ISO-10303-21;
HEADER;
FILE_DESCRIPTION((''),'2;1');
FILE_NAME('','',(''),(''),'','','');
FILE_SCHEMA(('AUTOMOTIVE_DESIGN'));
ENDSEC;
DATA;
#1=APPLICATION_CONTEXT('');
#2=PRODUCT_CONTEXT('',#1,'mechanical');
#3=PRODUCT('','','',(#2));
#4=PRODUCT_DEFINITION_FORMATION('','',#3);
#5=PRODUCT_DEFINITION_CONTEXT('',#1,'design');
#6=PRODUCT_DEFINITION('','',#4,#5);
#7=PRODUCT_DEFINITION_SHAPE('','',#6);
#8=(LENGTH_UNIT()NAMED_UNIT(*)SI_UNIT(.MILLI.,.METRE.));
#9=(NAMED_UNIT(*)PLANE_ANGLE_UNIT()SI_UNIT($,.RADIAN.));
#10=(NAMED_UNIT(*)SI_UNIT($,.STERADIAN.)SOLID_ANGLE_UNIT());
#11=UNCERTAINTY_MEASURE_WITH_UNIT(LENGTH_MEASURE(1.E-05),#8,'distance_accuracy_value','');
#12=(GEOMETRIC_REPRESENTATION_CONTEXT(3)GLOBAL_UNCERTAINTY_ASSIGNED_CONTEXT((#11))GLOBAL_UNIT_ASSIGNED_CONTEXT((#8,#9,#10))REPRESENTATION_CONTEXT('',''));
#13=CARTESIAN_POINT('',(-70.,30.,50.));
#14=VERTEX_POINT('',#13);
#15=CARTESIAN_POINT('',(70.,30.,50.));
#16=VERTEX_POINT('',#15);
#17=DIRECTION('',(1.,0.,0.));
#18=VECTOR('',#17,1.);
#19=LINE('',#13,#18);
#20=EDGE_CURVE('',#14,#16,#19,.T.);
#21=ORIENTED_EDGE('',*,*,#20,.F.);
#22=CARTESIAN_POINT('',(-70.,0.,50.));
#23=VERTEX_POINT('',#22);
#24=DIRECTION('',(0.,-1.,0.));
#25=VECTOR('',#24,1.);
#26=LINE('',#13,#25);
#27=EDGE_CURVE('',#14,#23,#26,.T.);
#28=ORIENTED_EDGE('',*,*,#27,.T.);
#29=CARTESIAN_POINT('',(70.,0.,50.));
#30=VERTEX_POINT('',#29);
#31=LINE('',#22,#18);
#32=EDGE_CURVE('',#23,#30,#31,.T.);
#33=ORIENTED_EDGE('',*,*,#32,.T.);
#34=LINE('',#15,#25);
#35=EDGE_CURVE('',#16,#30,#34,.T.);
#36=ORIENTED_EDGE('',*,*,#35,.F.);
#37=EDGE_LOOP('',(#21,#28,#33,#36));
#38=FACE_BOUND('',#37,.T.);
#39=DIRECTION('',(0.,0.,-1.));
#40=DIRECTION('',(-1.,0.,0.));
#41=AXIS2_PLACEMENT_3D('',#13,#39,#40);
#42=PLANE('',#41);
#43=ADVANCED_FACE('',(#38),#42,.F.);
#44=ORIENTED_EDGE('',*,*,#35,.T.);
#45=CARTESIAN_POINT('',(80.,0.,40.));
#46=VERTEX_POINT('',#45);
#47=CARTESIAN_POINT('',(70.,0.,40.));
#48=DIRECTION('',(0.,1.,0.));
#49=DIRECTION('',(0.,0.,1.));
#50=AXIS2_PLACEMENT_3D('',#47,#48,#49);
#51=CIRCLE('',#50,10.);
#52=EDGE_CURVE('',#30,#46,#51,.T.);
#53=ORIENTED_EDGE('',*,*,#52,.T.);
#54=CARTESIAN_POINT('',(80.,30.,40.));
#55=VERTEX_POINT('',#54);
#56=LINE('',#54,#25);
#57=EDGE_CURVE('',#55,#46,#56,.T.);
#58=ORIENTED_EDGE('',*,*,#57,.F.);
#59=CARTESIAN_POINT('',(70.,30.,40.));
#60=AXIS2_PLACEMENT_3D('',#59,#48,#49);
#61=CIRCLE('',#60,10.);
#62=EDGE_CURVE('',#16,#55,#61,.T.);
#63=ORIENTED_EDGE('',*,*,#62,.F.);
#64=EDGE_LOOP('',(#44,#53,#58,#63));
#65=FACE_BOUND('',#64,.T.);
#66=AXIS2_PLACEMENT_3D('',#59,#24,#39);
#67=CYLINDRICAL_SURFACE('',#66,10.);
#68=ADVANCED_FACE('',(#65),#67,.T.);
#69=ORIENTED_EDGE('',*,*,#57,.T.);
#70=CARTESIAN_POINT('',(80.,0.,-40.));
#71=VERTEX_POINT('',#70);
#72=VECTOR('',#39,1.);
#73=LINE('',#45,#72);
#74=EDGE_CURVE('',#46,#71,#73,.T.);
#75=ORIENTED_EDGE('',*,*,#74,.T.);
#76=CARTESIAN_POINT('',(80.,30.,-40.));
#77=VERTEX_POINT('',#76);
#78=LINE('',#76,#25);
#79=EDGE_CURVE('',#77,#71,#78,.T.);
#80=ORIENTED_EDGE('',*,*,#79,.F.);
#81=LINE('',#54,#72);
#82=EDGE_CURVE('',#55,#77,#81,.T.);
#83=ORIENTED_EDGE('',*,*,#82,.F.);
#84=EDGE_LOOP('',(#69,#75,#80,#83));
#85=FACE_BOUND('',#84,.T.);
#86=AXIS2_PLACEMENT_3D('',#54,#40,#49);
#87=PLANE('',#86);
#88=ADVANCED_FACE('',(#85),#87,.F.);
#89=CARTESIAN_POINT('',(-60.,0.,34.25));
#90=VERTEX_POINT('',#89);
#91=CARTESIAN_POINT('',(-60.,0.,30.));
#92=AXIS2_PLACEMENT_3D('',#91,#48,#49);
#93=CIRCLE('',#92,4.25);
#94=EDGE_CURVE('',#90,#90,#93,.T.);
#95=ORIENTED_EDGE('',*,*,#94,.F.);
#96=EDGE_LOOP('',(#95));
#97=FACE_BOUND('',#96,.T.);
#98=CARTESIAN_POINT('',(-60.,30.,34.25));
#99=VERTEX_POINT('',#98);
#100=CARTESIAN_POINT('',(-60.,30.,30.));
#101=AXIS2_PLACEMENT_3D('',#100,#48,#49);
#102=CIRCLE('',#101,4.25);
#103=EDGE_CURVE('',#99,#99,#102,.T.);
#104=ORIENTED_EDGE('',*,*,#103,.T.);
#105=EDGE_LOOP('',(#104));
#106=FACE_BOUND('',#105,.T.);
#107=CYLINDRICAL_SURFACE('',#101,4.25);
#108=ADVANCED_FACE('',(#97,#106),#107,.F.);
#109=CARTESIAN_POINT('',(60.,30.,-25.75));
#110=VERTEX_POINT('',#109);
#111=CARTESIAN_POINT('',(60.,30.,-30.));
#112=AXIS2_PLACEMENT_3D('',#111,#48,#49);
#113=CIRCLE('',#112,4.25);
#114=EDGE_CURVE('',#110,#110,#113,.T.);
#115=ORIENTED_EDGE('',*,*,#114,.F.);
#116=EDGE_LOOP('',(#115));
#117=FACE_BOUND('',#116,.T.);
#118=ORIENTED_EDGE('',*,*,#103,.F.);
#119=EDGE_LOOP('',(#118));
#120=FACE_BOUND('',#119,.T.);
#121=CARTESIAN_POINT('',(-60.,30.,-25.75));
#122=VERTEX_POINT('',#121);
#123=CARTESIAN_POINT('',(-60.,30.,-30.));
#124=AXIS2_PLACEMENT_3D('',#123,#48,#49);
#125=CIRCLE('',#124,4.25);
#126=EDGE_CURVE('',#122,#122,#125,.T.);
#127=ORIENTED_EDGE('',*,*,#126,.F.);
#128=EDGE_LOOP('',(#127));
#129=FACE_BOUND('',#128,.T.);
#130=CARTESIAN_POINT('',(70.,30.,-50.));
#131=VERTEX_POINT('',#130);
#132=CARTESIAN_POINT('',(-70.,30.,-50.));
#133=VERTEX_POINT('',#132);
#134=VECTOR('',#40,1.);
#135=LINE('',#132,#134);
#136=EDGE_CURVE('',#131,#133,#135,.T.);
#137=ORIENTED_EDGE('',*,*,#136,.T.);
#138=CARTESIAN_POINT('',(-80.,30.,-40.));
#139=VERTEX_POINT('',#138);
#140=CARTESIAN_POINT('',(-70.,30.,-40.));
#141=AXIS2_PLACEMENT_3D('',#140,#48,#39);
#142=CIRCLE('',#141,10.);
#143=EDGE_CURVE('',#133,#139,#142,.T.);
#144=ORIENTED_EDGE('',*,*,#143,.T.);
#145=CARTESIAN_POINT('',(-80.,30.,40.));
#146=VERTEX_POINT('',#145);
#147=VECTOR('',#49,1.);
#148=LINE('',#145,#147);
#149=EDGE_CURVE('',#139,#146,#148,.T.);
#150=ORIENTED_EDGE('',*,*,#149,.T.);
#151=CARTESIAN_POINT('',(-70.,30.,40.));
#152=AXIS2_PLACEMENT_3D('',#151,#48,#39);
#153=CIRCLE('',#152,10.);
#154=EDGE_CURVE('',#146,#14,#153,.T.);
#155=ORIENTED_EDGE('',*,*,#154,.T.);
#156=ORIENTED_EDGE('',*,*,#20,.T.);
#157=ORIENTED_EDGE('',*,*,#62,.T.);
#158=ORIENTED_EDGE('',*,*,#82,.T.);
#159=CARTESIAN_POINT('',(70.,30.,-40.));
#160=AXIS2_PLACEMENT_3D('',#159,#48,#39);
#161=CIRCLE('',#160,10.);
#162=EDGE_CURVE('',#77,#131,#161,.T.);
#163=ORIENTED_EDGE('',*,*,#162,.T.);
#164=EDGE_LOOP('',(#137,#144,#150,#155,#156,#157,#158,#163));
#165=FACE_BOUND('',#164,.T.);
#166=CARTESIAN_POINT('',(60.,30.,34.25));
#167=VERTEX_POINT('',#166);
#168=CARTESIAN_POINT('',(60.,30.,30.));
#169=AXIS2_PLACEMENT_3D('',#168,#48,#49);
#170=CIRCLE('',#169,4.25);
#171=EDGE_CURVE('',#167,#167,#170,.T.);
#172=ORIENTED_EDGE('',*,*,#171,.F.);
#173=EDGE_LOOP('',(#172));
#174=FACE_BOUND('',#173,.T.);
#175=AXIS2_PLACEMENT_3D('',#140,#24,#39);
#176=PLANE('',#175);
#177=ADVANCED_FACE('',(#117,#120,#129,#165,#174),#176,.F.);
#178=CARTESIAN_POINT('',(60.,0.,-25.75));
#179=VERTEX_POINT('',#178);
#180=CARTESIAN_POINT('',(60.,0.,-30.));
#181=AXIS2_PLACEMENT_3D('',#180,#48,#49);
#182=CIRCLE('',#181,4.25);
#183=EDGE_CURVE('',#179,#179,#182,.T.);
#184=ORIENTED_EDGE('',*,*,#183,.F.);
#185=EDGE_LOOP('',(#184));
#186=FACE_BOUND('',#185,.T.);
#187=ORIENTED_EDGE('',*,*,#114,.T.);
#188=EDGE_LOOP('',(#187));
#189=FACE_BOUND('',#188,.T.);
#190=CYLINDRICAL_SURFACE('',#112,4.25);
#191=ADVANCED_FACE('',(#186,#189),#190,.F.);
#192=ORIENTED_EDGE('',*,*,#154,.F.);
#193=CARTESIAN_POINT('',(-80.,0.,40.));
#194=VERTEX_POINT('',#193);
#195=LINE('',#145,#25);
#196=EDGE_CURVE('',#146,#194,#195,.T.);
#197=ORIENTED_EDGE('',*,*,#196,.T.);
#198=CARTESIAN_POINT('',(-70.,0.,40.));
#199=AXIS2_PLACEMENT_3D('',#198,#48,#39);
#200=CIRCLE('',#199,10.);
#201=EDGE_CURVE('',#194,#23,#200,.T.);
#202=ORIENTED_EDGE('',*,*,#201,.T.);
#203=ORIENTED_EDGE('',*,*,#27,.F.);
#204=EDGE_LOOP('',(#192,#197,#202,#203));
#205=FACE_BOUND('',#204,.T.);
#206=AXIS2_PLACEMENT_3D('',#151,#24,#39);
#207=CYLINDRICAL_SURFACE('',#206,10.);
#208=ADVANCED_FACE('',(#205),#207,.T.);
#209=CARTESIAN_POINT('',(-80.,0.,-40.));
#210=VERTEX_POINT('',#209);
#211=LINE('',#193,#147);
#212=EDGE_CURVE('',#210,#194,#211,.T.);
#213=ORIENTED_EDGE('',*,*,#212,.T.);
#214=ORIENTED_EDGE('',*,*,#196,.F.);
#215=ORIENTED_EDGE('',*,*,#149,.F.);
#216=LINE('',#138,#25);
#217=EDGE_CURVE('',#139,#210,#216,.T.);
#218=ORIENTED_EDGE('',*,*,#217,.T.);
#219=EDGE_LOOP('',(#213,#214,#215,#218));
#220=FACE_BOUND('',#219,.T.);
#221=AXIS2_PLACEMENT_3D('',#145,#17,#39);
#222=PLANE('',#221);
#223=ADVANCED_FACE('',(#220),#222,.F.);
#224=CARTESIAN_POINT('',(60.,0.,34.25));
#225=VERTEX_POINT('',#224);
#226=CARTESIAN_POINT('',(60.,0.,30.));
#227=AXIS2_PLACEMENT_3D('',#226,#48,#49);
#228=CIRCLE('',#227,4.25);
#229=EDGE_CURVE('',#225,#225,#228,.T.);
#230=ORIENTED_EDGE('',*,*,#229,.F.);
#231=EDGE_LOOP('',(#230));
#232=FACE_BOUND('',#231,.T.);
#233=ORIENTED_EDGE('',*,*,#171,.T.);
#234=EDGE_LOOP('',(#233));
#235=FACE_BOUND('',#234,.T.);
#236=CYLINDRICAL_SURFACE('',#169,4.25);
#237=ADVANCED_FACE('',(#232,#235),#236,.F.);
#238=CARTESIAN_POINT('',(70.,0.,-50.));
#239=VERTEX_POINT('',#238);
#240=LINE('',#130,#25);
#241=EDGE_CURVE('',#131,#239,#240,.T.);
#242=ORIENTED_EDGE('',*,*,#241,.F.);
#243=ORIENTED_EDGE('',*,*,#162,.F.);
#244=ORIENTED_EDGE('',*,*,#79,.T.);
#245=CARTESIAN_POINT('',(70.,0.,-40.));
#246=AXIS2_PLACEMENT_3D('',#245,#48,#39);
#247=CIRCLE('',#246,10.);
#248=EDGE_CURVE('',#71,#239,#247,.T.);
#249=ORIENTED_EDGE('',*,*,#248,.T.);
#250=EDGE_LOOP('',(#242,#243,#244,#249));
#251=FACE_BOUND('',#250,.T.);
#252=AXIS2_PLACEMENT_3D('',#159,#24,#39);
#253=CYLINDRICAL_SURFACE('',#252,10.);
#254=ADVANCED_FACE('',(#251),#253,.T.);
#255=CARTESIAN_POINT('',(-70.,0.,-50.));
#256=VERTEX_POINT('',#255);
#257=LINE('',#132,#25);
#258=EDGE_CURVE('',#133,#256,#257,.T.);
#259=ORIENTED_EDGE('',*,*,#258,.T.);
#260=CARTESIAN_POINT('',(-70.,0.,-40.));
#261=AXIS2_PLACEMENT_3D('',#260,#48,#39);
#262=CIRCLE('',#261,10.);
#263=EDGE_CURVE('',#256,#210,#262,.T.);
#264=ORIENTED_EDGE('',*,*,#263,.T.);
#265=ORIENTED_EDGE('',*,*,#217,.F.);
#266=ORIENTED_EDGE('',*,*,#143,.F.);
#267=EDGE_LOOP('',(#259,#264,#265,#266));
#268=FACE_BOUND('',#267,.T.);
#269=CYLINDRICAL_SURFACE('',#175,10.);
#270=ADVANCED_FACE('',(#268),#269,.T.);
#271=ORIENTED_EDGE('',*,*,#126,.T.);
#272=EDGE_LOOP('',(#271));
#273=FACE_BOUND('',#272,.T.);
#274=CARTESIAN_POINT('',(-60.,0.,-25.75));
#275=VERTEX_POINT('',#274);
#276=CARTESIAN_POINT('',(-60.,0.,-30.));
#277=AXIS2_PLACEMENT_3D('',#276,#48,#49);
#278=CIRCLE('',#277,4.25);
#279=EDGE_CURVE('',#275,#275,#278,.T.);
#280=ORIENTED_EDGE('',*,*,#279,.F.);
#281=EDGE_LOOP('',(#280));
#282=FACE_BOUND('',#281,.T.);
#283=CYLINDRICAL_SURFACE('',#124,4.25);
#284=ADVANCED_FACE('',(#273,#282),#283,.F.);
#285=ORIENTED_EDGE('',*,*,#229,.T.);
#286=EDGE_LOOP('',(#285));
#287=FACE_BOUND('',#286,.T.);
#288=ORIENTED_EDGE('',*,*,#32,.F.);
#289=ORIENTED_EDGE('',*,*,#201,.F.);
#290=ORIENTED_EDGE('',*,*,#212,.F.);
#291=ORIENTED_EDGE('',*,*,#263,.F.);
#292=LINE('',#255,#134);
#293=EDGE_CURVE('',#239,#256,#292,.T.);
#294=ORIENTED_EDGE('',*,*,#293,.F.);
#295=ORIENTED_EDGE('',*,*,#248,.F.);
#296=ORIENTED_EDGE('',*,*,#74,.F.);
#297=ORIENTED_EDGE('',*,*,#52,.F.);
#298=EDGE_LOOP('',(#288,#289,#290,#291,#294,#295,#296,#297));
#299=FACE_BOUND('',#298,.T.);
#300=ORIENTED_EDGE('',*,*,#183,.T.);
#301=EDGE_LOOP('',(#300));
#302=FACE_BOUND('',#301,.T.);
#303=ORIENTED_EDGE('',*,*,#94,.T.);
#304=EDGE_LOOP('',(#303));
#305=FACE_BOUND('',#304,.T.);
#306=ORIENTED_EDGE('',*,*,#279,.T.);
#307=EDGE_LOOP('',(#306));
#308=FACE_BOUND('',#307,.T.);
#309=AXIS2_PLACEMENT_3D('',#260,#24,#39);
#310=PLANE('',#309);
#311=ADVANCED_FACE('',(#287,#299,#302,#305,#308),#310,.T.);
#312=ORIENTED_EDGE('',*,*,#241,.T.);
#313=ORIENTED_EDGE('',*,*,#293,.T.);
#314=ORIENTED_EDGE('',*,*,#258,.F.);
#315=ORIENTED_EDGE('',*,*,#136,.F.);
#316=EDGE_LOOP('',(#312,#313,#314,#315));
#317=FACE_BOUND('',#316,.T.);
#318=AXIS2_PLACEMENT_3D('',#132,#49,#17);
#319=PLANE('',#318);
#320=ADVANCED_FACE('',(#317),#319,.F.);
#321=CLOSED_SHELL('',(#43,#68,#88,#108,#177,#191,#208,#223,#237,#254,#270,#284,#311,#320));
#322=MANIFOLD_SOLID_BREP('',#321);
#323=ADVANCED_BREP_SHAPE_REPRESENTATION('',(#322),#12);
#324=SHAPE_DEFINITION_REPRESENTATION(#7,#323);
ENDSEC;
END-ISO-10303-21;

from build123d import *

# Parameters (mm, degrees)
SALIENTE_EXTRUIR1_DEPTH    = 30
TALADRO_ROSCADO_M10X1_51_D = 8.5


with BuildPart() as part:
    # Croquis1 → Saliente-Extruir1 (new body)
    with BuildSketch(Plane(origin=(0, 0, 0), x_dir=(1, 0, 0), z_dir=(0, 1, 0))):
        with BuildLine():
            Line((-70, -50), (70, -50))
            ThreePointArc((70, -50), (77.071067812, -47.071067812), (80, -40))
            Line((80, -40), (80, 40))
            ThreePointArc((80, 40), (77.071067812, 47.071067812), (70, 50))
            Line((70, 50), (-70, 50))
            ThreePointArc((-70, 50), (-77.071067812, 47.071067812), (-80, 40))
            Line((-80, 40), (-80, -40))
            ThreePointArc((-80, -40), (-77.071067812, -47.071067812), (-70, -50))
        make_face()
    extrude(amount=SALIENTE_EXTRUIR1_DEPTH)

    # Taladro roscado M10x1.51 (through all)
    with Locations(Plane(origin=(0, 30, 0), x_dir=(1, 0, 0), z_dir=(0, 1, 0))):
        with Locations((-60, 30), (60, 30), (60, -30), (-60, -30)):
            Hole(TALADRO_ROSCADO_M10X1_51_D / 2)


solid = part.part
